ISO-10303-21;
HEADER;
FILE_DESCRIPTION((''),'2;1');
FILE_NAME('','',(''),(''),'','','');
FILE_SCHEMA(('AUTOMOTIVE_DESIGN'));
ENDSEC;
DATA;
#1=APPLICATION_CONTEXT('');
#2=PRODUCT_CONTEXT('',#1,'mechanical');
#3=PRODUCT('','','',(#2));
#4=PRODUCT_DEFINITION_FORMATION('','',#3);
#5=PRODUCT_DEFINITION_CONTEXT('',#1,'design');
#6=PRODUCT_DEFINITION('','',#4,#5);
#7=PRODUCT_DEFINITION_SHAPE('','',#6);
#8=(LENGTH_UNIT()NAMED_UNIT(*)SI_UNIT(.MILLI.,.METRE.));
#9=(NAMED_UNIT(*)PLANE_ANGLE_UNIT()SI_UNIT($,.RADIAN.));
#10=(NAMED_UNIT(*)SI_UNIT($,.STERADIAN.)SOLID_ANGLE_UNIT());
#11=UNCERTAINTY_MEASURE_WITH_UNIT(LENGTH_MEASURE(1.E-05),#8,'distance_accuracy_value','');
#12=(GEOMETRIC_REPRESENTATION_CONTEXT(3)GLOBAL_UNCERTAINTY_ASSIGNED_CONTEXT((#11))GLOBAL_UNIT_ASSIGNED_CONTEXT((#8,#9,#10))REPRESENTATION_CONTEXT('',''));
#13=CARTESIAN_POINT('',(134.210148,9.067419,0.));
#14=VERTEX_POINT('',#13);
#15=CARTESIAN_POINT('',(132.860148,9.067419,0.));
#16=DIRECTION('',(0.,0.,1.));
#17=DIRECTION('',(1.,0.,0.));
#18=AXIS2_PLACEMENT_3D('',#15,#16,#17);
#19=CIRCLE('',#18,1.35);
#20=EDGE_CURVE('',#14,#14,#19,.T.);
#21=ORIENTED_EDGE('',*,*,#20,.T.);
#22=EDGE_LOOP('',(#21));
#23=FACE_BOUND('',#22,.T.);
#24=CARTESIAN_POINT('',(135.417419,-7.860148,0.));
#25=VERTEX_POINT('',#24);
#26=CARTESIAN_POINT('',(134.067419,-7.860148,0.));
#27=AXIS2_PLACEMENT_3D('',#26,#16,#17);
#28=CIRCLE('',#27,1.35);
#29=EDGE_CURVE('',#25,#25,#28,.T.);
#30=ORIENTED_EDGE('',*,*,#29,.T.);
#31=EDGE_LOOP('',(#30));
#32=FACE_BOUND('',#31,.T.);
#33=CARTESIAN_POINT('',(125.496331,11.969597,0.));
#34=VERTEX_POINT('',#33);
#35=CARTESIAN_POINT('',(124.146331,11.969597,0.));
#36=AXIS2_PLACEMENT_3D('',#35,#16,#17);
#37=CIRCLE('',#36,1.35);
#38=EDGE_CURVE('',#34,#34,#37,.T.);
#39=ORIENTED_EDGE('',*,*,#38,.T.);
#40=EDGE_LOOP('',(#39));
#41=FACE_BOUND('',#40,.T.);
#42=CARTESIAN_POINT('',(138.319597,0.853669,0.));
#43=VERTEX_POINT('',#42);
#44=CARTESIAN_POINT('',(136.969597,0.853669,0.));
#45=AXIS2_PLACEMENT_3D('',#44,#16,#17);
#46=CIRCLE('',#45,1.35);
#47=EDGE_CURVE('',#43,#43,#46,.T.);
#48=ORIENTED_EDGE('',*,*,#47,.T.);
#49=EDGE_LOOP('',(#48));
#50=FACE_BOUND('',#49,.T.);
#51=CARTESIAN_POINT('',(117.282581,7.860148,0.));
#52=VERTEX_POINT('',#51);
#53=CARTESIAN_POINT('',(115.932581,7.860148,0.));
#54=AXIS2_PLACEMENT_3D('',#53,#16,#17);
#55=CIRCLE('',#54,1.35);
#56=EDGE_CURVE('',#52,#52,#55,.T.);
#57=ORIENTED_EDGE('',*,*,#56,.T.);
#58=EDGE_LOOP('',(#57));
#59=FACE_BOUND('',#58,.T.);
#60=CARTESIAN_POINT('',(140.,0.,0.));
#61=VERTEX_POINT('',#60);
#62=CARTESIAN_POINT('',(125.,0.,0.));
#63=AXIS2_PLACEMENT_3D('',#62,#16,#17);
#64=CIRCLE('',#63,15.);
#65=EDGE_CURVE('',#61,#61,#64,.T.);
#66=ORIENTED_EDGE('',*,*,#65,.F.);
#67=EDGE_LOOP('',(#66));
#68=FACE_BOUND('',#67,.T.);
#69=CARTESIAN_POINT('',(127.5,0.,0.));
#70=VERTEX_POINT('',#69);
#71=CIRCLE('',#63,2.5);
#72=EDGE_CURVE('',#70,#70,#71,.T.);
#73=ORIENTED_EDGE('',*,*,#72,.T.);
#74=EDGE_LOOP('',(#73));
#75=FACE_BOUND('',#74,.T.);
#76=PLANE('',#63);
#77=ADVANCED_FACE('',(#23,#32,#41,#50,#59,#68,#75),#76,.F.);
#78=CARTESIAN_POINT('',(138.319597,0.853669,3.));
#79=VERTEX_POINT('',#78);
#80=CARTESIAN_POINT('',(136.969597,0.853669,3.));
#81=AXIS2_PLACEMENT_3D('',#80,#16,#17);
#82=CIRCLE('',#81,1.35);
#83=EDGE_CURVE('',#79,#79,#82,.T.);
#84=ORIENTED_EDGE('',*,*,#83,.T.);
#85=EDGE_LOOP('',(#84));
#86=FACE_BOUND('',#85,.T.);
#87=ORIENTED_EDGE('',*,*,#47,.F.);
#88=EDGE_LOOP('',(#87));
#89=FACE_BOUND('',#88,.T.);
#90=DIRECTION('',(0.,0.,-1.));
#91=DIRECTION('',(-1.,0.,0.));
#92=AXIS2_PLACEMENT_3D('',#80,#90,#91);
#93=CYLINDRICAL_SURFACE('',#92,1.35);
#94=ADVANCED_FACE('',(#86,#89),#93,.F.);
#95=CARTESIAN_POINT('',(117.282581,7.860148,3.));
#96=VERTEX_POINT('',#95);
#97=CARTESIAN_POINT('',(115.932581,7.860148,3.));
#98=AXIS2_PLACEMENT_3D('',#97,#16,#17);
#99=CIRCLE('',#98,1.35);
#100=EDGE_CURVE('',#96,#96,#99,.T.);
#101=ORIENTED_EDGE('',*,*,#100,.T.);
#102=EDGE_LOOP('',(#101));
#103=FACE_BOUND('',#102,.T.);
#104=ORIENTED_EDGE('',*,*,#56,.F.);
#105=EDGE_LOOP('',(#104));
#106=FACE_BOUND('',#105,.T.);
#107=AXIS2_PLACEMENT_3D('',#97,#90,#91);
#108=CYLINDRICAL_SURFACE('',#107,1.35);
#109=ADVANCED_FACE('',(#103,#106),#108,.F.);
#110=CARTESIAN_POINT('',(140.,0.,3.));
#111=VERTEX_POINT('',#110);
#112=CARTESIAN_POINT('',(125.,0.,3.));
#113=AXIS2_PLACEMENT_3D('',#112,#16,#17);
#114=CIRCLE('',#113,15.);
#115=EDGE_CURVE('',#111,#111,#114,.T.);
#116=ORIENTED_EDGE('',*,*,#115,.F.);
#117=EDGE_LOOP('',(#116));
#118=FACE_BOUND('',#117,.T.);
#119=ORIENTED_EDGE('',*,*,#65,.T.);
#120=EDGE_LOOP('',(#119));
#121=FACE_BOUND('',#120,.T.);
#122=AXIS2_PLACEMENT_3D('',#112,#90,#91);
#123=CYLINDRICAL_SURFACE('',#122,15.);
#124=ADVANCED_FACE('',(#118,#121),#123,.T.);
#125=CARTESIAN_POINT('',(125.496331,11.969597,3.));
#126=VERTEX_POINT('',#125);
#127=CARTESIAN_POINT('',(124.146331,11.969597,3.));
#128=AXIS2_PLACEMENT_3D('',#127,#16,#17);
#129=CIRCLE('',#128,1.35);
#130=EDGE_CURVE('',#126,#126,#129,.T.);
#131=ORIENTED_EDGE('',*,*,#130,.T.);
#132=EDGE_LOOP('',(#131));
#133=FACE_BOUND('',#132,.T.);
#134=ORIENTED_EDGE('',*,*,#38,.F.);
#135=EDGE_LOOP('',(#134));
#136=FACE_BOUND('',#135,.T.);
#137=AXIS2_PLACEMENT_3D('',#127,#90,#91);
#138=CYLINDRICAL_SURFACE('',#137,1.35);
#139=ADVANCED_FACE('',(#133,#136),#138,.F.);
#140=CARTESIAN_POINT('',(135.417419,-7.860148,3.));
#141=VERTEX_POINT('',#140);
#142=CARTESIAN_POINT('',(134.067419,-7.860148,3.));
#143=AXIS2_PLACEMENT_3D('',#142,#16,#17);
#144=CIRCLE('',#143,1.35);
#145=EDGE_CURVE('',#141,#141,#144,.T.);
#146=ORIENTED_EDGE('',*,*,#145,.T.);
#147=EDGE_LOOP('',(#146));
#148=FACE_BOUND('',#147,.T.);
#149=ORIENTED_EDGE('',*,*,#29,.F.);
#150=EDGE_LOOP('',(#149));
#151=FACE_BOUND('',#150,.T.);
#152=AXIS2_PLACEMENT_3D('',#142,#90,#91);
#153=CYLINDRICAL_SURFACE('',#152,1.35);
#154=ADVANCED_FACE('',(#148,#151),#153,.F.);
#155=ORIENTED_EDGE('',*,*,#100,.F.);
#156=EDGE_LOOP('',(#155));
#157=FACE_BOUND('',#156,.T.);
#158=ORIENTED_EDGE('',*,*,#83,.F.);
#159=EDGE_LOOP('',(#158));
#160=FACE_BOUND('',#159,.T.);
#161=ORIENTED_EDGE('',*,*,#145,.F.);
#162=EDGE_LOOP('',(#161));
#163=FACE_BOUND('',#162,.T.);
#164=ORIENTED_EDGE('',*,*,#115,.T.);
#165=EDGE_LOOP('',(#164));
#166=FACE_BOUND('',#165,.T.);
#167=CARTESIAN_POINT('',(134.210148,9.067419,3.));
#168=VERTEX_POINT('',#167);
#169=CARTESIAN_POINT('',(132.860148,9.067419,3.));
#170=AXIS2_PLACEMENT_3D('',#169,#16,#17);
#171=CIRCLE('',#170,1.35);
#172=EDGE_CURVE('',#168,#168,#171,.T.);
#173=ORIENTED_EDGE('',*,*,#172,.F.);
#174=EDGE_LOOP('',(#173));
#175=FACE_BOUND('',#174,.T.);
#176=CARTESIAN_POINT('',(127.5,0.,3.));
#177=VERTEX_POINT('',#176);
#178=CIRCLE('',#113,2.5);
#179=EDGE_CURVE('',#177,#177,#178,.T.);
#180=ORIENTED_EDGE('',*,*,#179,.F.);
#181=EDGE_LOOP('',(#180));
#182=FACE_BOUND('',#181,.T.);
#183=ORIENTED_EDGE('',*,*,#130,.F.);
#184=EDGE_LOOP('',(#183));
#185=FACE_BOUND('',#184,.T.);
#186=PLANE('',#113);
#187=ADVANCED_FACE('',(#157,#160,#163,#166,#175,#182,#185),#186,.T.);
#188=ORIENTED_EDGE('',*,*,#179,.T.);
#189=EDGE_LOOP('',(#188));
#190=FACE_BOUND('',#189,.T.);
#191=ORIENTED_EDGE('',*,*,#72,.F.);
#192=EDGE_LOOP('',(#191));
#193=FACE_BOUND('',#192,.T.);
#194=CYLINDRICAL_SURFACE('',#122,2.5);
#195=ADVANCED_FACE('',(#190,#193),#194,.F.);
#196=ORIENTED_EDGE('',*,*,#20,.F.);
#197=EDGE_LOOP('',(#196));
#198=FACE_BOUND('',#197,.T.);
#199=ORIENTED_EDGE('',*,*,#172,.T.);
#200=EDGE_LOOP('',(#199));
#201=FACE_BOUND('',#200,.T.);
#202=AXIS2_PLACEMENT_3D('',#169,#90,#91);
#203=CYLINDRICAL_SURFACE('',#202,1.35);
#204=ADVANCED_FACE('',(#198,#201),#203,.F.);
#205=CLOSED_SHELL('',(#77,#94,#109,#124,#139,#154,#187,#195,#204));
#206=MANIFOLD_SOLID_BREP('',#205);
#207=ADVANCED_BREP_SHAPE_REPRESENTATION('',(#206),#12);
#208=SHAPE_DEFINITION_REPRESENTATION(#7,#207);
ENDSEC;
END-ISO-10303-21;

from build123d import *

# Parameters (mm, degrees)
SKETCH_1_R      = 15
SKETCH_1_R_2    = 1.35
SKETCH_1_R_3    = 2.5
EXTRUDE_1_DEPTH = 3


with BuildPart() as part:
    # 草图1 → 凸台-拉伸1 (new body)
    with BuildSketch(Plane.XY):
        with Locations((125, 0)):
            Circle(SKETCH_1_R)
        with Locations((132.860147625, 9.067418558)):
            Circle(SKETCH_1_R_2, mode=Mode.SUBTRACT)
        with Locations((136.969596837, 0.853669463)):
            Circle(SKETCH_1_R_2, mode=Mode.SUBTRACT)
        with Locations((134.067418558, -7.860147625)):
            Circle(SKETCH_1_R_2, mode=Mode.SUBTRACT)
        with Locations((124.146330537, 11.969596837)):
            Circle(SKETCH_1_R_2, mode=Mode.SUBTRACT)
        with Locations((115.932581442, 7.860147625)):
            Circle(SKETCH_1_R_2, mode=Mode.SUBTRACT)
        with Locations((125, 0)):
            Circle(SKETCH_1_R_3, mode=Mode.SUBTRACT)
    extrude(amount=EXTRUDE_1_DEPTH)


solid = part.part
